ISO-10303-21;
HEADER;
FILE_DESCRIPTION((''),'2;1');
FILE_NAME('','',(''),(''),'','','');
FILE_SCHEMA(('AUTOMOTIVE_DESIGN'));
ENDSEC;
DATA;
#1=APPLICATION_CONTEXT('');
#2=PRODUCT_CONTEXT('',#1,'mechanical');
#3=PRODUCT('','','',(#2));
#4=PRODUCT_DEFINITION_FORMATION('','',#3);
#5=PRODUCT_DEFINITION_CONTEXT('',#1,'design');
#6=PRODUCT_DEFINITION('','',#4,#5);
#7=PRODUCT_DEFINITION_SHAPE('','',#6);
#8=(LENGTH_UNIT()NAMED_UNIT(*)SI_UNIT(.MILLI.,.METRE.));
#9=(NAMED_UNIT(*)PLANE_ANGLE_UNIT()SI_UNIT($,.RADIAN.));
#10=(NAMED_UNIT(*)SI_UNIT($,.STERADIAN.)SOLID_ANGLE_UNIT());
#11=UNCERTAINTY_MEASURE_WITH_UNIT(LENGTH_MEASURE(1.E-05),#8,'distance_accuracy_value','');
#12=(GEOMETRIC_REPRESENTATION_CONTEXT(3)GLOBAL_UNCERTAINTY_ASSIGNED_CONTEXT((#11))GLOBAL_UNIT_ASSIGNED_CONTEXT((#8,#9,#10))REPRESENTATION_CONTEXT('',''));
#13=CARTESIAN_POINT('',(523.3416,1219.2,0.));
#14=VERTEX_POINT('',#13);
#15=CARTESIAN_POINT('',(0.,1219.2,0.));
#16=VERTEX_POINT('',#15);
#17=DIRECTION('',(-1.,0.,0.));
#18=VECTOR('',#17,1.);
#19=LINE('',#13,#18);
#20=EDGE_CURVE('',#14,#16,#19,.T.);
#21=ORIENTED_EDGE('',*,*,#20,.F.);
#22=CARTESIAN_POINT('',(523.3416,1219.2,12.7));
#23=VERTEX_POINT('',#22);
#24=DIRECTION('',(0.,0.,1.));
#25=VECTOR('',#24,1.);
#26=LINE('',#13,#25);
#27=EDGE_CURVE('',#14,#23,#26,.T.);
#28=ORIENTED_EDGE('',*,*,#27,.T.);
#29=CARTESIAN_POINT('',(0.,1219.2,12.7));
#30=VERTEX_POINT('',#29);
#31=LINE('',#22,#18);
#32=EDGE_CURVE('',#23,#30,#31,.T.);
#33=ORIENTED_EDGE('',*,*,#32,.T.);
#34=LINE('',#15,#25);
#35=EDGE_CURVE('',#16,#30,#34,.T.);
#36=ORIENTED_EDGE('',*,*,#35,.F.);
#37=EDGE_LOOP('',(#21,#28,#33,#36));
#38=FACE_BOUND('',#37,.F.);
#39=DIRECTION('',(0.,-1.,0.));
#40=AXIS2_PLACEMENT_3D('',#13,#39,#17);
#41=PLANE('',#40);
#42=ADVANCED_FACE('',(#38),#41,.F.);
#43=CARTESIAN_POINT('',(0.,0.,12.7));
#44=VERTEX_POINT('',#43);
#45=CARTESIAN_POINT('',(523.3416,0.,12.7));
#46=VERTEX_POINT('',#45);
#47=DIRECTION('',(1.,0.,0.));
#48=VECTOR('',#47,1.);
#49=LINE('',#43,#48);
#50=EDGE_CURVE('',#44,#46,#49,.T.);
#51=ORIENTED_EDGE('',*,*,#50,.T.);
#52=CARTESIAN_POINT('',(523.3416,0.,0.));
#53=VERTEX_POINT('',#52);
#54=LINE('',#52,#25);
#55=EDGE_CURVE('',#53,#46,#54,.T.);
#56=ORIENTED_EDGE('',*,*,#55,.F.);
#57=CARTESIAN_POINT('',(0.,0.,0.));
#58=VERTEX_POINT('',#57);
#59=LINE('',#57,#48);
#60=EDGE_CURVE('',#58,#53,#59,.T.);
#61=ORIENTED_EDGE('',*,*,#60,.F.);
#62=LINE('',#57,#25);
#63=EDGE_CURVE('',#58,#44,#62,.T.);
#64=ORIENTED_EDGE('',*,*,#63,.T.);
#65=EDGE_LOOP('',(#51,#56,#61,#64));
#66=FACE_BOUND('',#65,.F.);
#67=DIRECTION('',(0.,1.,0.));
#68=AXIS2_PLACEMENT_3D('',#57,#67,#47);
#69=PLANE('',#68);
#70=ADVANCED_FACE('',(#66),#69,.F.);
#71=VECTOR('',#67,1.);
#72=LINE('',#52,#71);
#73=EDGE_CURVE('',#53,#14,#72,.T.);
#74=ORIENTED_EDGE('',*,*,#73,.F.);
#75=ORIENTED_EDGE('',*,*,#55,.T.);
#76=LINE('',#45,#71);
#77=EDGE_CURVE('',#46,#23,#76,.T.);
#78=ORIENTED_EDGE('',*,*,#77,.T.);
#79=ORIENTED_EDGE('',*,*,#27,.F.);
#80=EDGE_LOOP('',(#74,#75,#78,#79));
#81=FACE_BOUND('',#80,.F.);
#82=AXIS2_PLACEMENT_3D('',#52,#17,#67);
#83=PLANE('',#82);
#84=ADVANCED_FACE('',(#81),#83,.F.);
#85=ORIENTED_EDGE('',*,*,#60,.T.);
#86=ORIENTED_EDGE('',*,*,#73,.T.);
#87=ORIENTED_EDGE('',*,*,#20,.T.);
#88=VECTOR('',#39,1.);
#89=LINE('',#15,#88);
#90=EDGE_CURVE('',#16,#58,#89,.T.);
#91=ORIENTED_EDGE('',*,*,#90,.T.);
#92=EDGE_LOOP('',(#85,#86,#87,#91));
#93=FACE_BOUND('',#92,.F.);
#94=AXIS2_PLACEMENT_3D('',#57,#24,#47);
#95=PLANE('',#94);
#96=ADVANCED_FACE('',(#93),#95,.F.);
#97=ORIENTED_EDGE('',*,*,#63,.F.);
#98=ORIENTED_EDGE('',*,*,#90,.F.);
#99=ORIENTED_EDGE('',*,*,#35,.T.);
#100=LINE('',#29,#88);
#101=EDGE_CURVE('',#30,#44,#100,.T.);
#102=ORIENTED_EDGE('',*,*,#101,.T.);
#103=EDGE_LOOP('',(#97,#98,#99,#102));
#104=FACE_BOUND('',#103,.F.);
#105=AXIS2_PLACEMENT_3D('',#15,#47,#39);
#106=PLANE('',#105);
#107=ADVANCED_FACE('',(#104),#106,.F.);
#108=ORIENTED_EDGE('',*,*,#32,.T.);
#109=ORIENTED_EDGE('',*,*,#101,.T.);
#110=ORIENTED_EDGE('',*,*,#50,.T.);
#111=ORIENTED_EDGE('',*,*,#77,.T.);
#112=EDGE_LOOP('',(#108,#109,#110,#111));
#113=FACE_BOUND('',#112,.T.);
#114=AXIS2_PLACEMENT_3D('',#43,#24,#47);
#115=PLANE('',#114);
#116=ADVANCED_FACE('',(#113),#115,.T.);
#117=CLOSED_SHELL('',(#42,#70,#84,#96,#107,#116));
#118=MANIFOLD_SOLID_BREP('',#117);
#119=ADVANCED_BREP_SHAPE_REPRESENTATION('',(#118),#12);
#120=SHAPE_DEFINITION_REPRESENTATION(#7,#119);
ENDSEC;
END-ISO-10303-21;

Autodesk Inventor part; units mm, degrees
ref_plane "YZ Plane" through (0, 0, 0) normal (1, 0, 0) x (0, 1, 0)
ref_plane "XZ Plane" through (0, 0, 0) normal (0, 1, 0) x (-1, 0, 0)
ref_plane "XY Plane" through (0, 0, 0) normal (0, 0, 1) x (1, 0, 0)
sketch "Sketch1" plane through (0, 0, 0) normal (0, 0, 1) x (1, 0, 0)
  line L0 (0, 0) -> (523.3416, 0)
  line L1 (523.3416, 0) -> (523.3416, 1219.2)
  line L2 (523.3416, 1219.2) -> (0, 1219.2)
  line L3 (0, 1219.2) -> (0, 0)
  dimension "d2" = 1219.2
  dimension "d3" = 523.3416
extrude "Extrusion1" add sketch "Sketch1" along normal blind 12.7
properties part number "OSB_For_Walls_With_Dimensions_20.604_x_48_Inches" material "Wood (Birch)"
